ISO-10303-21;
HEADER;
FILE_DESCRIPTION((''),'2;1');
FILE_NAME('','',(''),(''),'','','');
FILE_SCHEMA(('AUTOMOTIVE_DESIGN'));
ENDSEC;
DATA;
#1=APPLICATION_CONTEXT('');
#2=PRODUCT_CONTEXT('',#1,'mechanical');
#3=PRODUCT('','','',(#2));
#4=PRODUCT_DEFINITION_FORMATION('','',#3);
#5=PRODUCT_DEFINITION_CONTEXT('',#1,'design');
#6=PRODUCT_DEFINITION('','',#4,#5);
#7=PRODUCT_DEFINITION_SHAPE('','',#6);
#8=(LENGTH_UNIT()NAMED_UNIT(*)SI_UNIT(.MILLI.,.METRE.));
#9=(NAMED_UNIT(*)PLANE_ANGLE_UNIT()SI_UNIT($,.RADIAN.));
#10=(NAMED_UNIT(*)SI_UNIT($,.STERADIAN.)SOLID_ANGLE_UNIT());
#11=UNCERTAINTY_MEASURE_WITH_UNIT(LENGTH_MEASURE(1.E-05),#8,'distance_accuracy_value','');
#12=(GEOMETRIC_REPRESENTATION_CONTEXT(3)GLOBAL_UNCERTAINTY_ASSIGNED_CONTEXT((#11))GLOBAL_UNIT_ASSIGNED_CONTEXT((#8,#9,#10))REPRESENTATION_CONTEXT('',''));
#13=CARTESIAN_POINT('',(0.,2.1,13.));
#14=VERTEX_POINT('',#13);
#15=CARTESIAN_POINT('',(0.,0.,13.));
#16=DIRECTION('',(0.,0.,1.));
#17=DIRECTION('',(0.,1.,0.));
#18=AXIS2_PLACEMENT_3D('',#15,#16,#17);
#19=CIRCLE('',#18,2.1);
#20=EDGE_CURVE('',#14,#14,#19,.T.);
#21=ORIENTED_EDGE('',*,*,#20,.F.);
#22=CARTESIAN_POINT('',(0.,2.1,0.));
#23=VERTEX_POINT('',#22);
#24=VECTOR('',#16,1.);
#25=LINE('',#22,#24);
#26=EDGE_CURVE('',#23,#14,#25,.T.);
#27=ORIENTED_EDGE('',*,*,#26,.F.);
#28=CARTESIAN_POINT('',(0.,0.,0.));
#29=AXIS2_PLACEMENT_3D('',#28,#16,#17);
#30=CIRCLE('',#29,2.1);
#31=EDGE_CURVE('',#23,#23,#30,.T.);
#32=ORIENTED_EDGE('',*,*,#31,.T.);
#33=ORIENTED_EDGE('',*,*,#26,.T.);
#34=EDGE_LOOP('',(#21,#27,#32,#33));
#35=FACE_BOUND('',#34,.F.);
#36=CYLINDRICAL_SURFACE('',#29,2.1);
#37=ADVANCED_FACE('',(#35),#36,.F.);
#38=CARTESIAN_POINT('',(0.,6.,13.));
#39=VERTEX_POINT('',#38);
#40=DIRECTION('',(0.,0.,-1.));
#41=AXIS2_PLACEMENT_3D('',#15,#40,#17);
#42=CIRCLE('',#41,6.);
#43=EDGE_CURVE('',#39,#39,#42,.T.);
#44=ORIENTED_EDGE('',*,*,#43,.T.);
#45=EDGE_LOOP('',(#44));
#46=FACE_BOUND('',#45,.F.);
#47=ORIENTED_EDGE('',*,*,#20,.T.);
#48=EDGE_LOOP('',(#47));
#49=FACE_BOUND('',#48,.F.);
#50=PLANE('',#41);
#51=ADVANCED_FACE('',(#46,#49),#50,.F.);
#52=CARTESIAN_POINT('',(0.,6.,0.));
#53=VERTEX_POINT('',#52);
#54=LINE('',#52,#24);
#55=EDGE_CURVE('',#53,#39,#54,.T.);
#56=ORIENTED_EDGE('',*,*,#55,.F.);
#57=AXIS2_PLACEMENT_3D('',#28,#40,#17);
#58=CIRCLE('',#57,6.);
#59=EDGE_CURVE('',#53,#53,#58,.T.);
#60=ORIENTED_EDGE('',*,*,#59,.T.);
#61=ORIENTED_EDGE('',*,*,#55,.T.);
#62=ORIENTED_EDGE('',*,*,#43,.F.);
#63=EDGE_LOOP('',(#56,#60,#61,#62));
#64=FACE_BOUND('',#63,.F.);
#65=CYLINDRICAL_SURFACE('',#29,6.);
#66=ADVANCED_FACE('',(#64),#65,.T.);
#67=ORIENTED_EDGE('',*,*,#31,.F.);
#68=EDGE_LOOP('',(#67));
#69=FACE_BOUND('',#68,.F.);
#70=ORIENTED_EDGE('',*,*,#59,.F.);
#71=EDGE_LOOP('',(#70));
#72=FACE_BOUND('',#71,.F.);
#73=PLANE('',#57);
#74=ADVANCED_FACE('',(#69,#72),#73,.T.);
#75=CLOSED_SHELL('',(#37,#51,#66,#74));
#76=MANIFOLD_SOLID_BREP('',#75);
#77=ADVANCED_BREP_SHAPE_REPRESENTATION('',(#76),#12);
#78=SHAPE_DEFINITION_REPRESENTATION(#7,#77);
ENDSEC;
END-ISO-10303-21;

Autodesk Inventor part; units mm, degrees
ref_plane "YZ Plane" through (0, 0, 0) normal (1, 0, 0) x (0, 1, 0)
ref_plane "XZ Plane" through (0, 0, 0) normal (0, 1, 0) x (-1, 0, 0)
ref_plane "XY Plane" through (0, 0, 0) normal (0, 0, 1) x (1, 0, 0)
sketch "Skizze1" plane through (0, 0, 0) normal (1, 0, 0) x (0, 1, 0)
  line L0 (6, 0) -> (6, 13)
  line L1 (6, 13) -> (0, 13)
  line L2 (0, 13) -> (0, 0)
  line L3 (0, 0) -> (6, 0)
  dimension "d0" = 6
  dimension "d2" = 13
revolve "Umdrehung1" add sketch "Skizze1" angle 360 about axis through (0, 0, 13) along (0, 0, -1)
hole "Bohrung2" at (0, 0, 0) direction (0, 0, 1) diameter 4.2 depth 13
properties part number "102.005.01_Zapfen_Aktor_Auflage" material "Aluminium 6061"
